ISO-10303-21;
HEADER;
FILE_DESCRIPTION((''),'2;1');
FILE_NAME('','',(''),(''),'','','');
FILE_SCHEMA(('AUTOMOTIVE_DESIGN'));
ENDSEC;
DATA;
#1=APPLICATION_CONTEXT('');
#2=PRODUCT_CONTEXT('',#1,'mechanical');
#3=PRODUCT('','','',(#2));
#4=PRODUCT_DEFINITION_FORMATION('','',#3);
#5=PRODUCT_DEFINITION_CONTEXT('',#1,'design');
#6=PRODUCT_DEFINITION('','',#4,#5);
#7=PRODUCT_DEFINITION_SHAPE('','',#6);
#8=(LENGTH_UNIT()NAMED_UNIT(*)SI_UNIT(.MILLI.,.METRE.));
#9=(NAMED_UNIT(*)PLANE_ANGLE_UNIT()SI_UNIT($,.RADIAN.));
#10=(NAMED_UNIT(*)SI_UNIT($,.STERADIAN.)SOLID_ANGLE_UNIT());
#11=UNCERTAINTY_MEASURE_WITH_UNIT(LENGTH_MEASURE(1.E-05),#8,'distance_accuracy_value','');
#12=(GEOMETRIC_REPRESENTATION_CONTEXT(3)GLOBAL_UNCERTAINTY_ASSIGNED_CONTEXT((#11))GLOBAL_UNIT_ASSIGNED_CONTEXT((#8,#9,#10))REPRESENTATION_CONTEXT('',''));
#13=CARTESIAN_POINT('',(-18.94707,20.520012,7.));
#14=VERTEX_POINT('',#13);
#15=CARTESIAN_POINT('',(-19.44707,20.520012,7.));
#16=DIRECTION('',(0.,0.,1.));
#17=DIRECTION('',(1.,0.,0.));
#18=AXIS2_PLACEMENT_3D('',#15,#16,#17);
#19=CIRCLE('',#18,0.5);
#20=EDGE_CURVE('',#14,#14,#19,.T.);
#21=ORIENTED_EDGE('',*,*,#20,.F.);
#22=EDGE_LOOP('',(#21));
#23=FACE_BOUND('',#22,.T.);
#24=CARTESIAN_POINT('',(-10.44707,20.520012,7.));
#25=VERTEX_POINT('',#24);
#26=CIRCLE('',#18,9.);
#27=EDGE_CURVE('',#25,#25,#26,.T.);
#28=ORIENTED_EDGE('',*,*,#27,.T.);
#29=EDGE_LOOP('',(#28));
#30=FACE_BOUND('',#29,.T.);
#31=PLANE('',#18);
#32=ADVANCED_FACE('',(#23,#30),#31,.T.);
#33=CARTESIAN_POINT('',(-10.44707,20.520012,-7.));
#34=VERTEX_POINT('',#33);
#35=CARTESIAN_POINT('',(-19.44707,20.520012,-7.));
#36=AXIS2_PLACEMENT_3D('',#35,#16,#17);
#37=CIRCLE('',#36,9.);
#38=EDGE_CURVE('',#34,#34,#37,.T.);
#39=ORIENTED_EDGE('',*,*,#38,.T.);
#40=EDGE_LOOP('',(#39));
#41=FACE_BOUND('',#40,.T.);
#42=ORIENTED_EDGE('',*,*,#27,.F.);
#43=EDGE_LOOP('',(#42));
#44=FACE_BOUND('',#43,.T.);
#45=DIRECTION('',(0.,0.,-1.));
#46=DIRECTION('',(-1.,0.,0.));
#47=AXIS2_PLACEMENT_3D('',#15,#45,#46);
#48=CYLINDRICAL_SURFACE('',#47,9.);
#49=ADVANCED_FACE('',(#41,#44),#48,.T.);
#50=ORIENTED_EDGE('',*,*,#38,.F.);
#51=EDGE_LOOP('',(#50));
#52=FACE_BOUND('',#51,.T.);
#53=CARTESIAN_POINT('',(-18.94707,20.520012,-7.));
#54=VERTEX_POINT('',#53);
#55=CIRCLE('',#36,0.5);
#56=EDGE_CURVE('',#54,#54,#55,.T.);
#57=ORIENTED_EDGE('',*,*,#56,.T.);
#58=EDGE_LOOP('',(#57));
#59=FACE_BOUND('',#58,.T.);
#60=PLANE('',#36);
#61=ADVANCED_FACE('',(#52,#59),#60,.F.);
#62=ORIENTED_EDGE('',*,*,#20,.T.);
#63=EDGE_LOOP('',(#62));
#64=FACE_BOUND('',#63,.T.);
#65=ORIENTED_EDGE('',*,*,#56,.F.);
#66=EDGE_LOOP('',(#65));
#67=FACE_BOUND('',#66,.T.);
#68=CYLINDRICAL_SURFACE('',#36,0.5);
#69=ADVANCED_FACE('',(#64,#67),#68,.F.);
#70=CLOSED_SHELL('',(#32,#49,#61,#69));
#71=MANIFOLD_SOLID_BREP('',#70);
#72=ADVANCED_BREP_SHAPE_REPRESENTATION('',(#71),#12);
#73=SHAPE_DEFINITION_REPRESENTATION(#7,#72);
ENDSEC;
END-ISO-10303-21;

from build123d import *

# Parameters (mm, degrees)
SKETCH1_R           = 9
BOSS_EXTRUDE1_DEPTH = 7
SKETCH2_R           = 0.5
CUT_EXTRUDE1_DEPTH  = 14


with BuildPart() as part:
    # Sketch1 → Boss-Extrude1 (new body, symmetric)
    with BuildSketch(Plane.XY):
        with Locations((-19.447070122, 20.520011922)):
            Circle(SKETCH1_R)
    extrude(amount=BOSS_EXTRUDE1_DEPTH, both=True)

    # Sketch2 → Cut-Extrude1 (cut)
    with BuildSketch(Plane.XY.offset(7)):
        with Locations((-19.447070122, 20.520011922)):
            Circle(SKETCH2_R)
    extrude(amount=-CUT_EXTRUDE1_DEPTH, mode=Mode.SUBTRACT)


solid = part.part
